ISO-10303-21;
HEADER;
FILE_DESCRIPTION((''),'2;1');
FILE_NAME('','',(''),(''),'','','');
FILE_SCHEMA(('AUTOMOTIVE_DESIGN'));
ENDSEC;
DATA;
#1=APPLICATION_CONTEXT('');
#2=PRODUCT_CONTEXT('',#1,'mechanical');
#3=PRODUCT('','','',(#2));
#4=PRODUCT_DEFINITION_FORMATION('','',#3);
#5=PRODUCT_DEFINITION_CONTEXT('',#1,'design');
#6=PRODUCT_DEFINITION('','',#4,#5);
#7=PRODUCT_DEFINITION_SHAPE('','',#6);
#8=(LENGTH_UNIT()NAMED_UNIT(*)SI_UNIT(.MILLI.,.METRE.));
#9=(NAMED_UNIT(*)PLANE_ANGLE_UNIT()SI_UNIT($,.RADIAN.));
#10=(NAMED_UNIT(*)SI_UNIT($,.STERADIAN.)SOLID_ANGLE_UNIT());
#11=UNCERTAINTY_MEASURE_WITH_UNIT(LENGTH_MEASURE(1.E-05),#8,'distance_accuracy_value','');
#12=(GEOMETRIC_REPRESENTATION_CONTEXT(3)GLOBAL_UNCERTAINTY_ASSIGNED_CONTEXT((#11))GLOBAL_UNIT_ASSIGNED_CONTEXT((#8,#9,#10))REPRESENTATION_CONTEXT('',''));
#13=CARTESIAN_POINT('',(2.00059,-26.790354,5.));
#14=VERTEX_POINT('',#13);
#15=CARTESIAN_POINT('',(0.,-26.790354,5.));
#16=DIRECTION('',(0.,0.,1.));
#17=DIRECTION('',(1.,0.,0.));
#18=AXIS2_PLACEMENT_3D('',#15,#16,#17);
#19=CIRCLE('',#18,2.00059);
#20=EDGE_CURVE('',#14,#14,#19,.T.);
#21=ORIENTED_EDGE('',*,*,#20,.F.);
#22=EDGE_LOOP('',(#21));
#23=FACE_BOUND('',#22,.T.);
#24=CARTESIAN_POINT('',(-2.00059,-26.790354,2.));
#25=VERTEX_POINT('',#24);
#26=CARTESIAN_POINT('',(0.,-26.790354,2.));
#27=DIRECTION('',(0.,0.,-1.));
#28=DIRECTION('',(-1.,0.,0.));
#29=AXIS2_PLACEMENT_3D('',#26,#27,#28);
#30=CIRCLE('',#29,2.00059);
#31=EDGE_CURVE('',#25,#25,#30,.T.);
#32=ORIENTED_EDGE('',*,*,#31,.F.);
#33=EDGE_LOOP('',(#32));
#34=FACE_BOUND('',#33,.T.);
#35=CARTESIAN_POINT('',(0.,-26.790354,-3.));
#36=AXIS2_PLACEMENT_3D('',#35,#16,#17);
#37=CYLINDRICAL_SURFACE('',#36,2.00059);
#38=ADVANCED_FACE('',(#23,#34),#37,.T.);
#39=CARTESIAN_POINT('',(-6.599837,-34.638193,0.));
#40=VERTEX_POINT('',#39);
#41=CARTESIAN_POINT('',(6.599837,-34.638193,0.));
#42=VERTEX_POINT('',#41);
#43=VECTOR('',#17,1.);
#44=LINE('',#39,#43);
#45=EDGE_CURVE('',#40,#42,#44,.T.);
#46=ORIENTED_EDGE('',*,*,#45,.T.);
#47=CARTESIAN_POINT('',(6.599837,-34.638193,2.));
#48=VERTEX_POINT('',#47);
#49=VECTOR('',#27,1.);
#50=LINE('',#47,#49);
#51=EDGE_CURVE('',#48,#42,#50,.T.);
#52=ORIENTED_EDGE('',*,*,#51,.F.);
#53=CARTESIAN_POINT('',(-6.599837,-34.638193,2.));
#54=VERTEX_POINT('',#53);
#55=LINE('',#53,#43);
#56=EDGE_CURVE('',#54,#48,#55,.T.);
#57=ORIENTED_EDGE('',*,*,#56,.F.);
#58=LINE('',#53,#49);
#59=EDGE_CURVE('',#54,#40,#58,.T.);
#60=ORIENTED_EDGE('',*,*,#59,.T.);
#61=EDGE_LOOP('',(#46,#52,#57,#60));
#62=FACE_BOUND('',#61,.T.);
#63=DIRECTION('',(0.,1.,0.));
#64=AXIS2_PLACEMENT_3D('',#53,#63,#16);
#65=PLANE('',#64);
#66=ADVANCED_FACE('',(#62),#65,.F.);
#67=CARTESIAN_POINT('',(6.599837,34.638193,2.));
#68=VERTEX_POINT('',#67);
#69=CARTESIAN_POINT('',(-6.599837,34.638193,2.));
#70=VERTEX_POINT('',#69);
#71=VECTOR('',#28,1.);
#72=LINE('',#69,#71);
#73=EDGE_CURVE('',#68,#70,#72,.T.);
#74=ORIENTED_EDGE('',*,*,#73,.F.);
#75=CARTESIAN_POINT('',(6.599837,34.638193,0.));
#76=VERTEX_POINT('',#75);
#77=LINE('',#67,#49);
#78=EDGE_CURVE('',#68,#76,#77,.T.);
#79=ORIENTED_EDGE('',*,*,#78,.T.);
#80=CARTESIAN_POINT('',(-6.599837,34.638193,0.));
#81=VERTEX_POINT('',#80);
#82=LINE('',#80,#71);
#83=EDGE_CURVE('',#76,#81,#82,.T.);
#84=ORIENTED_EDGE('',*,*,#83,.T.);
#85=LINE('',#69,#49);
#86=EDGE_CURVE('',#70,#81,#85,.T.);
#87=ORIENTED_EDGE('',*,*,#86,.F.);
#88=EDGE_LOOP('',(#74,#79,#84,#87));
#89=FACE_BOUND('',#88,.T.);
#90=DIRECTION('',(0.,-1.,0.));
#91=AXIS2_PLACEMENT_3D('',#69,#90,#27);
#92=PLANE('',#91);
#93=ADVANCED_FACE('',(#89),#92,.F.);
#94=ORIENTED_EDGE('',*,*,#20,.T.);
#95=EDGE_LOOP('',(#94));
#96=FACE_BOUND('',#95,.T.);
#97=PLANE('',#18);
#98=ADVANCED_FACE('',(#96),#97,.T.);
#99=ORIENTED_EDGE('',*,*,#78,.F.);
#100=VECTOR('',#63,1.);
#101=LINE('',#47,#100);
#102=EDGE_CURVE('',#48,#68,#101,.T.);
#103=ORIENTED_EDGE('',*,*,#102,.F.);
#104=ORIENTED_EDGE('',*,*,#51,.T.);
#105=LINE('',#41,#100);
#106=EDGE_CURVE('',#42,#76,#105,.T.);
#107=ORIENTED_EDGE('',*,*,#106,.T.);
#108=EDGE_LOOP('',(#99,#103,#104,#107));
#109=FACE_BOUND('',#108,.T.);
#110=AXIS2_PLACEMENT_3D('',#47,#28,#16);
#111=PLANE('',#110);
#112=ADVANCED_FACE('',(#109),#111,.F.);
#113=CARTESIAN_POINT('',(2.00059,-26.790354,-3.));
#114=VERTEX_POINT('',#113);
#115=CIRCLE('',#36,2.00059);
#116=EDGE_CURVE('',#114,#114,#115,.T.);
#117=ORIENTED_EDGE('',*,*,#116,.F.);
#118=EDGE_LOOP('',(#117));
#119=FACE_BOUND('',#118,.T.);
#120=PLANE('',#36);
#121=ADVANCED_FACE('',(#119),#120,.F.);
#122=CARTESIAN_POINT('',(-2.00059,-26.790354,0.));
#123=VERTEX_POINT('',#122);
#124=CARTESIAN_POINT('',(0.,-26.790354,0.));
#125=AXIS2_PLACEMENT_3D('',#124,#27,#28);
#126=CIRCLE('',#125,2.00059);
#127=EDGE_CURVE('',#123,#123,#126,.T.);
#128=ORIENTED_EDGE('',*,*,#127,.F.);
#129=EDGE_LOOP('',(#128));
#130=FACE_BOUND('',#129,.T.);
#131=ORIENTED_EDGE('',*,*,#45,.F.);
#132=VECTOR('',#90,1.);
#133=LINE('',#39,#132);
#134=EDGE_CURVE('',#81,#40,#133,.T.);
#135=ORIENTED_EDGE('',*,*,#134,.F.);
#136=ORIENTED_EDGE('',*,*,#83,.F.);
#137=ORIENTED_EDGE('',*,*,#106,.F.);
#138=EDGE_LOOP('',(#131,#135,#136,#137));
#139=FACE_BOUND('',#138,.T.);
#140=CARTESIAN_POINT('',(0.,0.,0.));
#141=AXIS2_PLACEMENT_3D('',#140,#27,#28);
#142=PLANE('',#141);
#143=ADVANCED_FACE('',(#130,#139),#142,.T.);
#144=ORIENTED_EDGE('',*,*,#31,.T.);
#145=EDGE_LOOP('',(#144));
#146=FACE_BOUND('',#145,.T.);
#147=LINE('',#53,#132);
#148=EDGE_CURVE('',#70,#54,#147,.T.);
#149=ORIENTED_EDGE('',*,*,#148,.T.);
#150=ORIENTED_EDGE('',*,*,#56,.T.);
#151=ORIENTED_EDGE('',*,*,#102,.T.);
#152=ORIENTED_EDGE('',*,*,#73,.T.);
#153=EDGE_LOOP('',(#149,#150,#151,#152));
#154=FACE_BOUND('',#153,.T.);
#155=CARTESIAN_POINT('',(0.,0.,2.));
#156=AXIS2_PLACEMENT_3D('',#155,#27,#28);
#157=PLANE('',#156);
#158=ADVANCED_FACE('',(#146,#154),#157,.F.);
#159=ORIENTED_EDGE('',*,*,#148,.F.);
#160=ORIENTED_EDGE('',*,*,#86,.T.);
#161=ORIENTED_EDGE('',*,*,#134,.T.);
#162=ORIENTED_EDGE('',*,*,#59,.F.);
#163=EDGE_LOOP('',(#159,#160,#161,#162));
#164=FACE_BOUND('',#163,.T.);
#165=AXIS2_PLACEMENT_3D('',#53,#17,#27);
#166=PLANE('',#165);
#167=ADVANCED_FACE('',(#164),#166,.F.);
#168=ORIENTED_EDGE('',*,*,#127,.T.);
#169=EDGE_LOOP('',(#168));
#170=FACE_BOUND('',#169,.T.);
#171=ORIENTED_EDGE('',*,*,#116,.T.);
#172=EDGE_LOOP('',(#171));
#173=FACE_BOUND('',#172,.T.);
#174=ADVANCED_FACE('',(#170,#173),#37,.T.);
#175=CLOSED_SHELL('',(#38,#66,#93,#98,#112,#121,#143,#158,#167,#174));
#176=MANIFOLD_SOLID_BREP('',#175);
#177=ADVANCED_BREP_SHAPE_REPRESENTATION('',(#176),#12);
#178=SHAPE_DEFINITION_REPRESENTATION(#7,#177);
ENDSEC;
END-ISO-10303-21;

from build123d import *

# Parameters (mm, degrees)
SKETCH_1_W           = 13.199674752
SKETCH_1_H           = 69.2763861
EXTRUDE_1_DEPTH      = 2
EXTRUDE_2_DEPTH      = 3
EXTRUDE_2_DEPTH_BACK = 5
SKETCH_2_R           = 2.000590496


with BuildPart() as part:
    # 草图1 → 凸台-拉伸1 (new body)
    with BuildSketch(Plane.XY):
        Rectangle(SKETCH_1_W, SKETCH_1_H)
    extrude(amount=EXTRUDE_1_DEPTH)

    # 草图2 → 凸台-拉伸2 (add, two sides: drawn at the far end of the back side and taken through both)
    with BuildSketch(Plane.XY.offset(2).offset(-EXTRUDE_2_DEPTH_BACK)):
        with Locations((0, -26.790353818)):
            Circle(SKETCH_2_R)
    extrude(amount=EXTRUDE_2_DEPTH + EXTRUDE_2_DEPTH_BACK)


solid = part.part
